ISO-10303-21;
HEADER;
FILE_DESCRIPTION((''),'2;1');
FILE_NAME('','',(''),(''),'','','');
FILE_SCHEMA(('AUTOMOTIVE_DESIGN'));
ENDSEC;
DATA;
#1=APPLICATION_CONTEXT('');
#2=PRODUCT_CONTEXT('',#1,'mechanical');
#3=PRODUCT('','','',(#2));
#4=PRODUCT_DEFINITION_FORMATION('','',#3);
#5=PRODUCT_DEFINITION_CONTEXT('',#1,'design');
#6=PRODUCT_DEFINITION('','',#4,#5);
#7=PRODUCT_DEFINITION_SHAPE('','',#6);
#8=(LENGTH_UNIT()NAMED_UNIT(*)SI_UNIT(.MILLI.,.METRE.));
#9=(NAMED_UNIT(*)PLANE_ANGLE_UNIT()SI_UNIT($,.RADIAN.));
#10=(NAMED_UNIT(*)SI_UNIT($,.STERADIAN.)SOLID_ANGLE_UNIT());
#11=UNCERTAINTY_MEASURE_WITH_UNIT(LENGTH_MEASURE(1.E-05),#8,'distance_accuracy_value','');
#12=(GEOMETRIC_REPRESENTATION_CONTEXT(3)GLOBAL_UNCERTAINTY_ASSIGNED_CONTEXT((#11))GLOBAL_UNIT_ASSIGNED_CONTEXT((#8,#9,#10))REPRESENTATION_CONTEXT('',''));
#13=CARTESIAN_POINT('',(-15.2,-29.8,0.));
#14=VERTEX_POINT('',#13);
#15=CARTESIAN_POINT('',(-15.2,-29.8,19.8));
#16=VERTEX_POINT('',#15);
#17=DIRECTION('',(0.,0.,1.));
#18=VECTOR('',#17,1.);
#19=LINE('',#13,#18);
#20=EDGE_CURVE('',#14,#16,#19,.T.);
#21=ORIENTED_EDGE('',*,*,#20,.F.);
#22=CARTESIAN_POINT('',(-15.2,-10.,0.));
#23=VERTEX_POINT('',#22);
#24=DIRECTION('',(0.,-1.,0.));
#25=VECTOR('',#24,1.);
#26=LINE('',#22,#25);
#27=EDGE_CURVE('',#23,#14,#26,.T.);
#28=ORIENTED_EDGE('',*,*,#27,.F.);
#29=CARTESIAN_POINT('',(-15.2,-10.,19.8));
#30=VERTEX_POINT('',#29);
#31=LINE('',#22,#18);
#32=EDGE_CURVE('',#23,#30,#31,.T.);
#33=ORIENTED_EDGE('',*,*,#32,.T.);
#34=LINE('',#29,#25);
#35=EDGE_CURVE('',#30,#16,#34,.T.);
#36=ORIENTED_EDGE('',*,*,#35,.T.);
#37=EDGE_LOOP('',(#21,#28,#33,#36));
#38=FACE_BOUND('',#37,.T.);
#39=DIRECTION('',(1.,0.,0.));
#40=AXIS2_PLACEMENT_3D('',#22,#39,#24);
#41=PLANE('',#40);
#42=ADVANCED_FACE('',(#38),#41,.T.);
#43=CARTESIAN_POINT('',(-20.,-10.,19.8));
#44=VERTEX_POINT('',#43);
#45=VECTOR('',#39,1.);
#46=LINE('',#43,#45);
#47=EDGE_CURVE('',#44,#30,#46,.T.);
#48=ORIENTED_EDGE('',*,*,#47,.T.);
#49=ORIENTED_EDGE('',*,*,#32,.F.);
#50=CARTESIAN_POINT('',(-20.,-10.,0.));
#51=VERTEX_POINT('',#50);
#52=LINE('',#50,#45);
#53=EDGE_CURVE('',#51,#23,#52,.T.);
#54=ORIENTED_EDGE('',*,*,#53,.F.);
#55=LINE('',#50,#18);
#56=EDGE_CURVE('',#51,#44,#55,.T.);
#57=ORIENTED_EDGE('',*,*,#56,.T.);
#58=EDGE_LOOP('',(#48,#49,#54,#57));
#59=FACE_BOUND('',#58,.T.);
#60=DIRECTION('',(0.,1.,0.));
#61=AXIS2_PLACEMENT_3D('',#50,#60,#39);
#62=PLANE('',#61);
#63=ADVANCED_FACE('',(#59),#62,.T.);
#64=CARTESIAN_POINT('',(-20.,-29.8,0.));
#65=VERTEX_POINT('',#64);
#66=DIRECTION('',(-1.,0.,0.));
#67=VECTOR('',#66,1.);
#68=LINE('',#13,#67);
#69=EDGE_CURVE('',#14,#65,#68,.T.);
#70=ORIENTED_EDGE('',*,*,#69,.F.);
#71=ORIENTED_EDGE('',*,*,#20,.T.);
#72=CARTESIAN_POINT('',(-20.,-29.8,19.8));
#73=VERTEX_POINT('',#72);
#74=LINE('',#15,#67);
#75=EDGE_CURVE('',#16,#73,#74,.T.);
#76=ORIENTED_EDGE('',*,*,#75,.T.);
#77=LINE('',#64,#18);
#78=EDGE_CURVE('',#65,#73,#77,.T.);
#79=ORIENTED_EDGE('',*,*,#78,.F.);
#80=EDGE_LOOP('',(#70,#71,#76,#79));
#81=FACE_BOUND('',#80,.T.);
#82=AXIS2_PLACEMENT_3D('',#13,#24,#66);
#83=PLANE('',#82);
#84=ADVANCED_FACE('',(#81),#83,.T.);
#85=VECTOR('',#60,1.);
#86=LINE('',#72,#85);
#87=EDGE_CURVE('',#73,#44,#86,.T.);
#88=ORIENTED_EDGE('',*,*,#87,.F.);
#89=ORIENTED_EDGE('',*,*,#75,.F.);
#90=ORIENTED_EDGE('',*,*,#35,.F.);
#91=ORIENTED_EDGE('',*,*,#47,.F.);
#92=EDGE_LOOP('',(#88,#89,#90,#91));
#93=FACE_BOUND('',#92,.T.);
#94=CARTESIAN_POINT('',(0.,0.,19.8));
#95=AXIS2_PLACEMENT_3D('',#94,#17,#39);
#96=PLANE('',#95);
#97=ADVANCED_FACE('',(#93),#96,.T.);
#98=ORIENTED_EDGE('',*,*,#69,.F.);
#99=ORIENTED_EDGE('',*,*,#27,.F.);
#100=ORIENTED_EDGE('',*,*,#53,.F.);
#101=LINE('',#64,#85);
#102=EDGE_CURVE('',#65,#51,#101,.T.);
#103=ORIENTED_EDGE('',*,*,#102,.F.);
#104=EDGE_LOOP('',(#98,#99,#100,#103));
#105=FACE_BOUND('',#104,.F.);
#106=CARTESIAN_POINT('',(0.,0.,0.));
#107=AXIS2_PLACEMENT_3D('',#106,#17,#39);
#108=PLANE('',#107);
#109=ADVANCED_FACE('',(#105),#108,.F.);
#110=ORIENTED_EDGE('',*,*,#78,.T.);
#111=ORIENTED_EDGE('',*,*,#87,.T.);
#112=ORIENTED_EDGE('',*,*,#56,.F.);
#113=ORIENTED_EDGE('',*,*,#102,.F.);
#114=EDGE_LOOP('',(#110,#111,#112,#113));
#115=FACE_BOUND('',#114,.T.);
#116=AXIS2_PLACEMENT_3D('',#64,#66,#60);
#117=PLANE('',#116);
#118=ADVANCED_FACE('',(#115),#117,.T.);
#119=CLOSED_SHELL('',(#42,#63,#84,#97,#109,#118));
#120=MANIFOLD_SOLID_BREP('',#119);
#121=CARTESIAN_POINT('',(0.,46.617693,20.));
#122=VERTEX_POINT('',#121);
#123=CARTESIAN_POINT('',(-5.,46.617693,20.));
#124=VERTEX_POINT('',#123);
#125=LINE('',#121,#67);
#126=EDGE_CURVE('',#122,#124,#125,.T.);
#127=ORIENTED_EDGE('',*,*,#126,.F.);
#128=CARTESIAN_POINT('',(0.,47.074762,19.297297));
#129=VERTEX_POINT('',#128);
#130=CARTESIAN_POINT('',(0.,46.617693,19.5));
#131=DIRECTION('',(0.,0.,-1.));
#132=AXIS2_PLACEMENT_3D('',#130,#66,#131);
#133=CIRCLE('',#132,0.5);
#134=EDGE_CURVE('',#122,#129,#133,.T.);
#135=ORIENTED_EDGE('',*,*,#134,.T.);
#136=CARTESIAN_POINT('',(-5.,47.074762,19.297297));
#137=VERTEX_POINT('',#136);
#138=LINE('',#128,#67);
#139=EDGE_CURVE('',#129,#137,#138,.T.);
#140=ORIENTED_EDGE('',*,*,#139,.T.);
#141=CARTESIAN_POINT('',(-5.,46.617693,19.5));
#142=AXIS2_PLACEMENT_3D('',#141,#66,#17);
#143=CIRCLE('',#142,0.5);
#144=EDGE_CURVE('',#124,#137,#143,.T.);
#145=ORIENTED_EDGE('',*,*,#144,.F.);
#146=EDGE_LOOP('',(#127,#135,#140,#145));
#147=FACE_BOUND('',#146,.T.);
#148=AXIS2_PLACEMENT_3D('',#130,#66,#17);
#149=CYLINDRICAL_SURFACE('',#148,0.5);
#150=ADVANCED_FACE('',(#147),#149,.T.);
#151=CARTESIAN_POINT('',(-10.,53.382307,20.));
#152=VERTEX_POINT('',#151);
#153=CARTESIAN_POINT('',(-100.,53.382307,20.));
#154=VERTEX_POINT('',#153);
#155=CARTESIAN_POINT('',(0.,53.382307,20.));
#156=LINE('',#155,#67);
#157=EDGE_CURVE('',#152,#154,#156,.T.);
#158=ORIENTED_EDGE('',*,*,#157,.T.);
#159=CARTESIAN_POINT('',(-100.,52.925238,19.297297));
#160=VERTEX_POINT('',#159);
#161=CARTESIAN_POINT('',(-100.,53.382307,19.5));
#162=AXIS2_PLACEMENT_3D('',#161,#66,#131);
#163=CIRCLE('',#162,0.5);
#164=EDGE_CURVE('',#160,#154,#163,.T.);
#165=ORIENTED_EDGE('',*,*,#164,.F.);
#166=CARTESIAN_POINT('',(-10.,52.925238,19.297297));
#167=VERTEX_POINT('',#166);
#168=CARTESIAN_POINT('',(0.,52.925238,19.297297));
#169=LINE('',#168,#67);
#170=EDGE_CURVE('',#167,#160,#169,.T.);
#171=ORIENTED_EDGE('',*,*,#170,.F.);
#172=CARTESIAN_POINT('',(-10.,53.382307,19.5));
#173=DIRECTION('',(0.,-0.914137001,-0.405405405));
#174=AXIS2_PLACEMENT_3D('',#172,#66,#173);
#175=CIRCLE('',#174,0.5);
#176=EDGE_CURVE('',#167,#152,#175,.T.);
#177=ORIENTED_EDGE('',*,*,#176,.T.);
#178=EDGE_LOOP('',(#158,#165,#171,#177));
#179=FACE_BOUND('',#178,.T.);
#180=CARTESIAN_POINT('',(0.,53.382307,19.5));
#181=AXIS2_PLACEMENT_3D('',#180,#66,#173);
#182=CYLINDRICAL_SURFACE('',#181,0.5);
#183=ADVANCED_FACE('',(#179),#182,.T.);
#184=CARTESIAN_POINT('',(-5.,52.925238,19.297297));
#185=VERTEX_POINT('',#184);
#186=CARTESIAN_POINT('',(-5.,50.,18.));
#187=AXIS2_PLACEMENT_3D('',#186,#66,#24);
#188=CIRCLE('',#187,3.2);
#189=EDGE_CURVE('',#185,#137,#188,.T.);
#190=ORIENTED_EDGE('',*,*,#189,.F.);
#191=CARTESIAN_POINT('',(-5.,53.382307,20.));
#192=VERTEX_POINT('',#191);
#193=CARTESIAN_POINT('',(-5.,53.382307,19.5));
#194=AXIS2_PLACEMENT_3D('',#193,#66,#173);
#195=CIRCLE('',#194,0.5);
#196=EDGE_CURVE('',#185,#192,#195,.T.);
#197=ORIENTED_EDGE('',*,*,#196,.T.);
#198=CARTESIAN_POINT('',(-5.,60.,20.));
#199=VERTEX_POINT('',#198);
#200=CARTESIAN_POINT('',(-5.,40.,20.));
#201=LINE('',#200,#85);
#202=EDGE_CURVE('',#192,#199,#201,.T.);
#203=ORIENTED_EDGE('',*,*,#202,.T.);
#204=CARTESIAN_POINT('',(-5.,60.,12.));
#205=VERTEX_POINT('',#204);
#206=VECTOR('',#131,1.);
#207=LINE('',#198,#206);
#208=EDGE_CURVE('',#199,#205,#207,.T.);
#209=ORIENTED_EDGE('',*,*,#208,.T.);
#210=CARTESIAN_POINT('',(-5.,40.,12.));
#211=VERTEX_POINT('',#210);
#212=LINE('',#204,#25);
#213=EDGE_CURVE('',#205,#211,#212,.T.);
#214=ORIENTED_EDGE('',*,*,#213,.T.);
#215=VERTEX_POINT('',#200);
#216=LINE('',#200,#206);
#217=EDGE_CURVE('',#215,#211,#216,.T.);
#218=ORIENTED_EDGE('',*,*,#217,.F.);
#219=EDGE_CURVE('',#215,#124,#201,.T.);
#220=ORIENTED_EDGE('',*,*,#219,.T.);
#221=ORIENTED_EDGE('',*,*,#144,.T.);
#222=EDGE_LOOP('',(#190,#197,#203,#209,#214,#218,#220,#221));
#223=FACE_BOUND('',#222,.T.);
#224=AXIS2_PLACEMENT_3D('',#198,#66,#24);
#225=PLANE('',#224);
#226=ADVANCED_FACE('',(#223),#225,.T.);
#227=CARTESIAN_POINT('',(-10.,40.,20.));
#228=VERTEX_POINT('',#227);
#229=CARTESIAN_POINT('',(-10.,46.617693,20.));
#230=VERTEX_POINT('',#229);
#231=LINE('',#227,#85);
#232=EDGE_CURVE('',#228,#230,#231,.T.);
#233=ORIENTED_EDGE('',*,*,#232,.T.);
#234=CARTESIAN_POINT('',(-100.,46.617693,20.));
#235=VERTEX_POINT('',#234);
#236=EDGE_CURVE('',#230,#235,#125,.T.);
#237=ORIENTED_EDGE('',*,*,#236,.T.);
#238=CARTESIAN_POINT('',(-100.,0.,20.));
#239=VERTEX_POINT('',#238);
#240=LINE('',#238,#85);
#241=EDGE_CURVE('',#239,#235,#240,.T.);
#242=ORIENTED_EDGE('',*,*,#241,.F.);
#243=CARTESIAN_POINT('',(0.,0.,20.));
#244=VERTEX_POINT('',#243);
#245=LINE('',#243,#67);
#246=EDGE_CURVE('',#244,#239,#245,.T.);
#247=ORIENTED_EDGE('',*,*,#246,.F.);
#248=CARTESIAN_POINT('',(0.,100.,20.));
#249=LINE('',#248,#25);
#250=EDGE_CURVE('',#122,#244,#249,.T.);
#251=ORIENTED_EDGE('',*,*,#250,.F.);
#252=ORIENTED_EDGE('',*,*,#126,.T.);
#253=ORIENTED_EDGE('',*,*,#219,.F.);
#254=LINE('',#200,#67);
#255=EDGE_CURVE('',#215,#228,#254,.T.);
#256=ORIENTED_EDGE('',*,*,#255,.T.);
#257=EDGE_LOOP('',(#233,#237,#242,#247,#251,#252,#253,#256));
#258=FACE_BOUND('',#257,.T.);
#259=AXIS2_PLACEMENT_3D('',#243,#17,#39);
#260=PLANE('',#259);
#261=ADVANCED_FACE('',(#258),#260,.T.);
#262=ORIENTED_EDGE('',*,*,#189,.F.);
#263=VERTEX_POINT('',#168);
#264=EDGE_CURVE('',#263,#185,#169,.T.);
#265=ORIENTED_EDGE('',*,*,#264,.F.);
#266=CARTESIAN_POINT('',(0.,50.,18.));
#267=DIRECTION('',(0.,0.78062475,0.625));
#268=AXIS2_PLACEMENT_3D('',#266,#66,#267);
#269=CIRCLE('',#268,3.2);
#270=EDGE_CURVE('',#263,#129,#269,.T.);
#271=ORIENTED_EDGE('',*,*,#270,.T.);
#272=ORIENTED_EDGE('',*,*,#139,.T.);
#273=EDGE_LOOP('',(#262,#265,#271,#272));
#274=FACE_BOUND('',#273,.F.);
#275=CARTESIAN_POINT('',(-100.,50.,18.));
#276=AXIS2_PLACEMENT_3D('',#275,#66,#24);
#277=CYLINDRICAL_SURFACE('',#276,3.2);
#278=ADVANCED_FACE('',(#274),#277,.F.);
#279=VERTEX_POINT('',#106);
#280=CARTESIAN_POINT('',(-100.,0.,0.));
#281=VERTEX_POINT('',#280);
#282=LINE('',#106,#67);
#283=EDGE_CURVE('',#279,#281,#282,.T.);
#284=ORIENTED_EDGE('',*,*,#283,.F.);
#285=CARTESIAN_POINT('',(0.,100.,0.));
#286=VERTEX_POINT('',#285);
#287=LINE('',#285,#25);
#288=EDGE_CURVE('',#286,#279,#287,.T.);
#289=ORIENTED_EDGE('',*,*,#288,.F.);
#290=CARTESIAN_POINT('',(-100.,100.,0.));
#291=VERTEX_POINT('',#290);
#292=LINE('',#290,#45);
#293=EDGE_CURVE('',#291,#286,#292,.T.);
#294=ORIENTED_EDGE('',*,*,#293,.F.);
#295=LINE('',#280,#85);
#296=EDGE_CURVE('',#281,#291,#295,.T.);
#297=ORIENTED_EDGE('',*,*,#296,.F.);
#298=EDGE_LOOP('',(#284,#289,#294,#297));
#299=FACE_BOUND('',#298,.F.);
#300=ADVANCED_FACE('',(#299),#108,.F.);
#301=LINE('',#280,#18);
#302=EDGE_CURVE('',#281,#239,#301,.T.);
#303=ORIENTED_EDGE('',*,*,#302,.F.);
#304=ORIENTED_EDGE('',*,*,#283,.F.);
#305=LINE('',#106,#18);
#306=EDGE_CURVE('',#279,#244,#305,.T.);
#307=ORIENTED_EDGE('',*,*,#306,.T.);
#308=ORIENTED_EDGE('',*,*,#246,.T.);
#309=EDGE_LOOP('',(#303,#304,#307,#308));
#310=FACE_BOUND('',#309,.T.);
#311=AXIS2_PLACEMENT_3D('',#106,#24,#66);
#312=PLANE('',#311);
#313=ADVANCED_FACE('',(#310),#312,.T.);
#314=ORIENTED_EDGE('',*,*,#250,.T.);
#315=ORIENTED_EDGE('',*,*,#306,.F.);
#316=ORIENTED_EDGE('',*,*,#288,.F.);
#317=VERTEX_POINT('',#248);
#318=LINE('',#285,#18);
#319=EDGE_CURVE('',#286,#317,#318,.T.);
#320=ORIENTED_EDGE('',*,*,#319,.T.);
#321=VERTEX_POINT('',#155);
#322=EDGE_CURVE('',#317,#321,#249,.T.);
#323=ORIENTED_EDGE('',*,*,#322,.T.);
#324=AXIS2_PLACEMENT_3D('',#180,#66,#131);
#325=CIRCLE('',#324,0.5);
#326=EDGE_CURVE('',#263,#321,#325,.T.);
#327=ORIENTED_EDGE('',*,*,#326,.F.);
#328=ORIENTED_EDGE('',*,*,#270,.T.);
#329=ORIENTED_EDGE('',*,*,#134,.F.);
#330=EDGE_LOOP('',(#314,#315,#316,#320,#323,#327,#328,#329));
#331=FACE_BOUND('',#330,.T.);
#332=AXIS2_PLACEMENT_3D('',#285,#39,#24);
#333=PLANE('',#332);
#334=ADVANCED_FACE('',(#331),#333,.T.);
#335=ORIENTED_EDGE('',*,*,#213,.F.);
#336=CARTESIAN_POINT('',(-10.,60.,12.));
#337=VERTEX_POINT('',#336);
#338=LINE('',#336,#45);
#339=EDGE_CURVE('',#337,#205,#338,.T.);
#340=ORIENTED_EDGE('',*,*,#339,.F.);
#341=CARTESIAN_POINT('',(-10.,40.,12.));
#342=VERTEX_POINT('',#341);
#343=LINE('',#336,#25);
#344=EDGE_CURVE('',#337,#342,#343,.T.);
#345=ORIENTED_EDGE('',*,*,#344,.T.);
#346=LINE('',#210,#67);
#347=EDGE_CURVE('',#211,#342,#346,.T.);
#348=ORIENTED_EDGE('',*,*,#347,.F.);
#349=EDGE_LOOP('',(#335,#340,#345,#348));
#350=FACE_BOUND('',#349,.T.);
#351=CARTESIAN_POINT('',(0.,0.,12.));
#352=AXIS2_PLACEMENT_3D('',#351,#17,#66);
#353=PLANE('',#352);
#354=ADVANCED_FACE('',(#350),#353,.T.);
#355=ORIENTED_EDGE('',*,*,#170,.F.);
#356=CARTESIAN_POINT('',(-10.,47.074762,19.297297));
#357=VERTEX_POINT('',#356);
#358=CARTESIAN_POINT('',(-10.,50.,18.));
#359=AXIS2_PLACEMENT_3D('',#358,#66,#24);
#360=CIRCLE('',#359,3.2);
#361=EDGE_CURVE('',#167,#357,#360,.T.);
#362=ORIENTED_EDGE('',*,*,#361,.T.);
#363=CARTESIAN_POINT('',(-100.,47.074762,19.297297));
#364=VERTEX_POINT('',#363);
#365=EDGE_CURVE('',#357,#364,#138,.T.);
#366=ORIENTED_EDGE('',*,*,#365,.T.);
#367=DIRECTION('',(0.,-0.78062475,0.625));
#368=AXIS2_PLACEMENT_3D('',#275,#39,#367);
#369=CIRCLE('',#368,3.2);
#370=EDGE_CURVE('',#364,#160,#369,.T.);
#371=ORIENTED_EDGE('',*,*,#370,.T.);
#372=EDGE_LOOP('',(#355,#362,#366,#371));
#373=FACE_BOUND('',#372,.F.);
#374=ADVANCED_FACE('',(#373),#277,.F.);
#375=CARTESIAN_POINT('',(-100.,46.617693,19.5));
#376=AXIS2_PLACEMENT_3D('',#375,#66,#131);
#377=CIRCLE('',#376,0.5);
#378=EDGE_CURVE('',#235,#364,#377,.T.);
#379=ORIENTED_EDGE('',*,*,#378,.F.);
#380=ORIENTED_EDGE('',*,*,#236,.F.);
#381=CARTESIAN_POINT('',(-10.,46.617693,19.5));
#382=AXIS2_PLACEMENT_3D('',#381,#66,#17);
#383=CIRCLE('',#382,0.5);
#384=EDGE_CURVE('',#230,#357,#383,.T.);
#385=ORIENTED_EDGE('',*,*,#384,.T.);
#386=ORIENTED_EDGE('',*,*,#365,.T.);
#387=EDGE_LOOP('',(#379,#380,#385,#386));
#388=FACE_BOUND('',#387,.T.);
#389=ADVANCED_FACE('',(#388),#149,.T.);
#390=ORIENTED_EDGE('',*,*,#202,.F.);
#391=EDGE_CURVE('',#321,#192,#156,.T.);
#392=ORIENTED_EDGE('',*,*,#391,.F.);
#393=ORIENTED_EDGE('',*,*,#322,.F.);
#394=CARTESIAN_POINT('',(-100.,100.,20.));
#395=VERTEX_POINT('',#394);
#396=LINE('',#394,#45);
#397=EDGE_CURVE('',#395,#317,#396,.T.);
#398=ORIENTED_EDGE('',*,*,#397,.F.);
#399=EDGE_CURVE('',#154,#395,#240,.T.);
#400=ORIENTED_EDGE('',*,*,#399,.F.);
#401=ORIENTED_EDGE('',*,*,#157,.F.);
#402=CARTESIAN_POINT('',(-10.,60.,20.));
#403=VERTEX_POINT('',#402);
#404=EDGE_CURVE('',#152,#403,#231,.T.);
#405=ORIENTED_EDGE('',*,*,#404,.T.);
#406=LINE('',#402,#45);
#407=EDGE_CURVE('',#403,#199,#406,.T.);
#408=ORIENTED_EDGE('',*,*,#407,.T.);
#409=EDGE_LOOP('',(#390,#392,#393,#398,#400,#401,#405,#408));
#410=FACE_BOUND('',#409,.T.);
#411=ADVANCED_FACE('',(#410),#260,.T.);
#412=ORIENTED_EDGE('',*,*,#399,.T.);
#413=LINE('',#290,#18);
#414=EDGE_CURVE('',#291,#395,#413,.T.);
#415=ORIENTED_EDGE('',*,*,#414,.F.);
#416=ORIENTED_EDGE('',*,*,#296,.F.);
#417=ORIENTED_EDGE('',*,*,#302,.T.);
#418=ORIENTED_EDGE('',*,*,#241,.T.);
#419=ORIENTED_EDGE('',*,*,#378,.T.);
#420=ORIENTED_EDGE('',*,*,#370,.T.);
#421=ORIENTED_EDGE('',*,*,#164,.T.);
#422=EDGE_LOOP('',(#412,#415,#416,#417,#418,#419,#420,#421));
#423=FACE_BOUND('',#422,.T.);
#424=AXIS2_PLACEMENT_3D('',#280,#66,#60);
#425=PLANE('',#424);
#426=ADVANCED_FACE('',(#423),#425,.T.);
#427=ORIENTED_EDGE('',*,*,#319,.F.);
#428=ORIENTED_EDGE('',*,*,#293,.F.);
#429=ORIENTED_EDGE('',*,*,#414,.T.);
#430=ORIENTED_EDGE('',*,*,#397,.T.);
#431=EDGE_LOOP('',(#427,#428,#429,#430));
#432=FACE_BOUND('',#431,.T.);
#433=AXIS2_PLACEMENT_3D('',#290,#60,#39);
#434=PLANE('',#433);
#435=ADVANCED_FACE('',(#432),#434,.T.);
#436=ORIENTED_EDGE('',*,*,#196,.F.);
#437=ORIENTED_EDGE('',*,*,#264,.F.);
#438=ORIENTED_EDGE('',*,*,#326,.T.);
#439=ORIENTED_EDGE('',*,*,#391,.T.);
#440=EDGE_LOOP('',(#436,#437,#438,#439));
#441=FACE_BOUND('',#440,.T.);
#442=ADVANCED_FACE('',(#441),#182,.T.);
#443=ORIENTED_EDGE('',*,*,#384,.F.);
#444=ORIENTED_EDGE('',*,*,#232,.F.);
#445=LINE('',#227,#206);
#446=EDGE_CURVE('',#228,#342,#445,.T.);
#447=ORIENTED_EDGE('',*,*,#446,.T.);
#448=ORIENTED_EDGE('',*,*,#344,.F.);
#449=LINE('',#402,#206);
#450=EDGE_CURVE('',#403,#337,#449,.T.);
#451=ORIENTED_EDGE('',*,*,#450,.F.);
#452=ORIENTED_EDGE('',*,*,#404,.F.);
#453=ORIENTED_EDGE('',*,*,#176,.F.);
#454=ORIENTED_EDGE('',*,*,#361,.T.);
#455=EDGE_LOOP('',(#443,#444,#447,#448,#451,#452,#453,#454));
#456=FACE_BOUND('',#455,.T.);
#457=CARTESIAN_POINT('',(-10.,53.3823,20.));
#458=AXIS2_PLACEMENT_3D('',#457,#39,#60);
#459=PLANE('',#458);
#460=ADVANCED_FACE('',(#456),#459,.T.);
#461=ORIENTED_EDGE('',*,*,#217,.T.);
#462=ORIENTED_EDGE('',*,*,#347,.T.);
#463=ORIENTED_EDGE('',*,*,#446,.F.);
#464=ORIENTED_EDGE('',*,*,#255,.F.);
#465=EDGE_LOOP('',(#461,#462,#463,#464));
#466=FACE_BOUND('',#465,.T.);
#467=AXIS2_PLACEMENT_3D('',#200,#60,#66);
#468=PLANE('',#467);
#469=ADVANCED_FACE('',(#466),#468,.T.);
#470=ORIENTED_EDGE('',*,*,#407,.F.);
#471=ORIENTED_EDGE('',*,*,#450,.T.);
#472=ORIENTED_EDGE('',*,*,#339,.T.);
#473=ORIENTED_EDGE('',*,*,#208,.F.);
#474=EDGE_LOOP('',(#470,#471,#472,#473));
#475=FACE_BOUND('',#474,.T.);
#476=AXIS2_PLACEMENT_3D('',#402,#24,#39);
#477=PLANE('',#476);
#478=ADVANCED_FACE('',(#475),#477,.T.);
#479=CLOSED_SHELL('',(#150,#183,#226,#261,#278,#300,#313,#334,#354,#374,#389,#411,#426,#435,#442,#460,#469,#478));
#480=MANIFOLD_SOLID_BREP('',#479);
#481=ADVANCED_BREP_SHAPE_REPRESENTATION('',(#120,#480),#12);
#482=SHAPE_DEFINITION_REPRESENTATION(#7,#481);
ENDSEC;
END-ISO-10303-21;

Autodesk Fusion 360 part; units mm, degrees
sketch "Sketch1" plane through (0, 0, 0) normal (0, 0, 1) x (1, 0, 0)
  line L0 (0, 0) -> (-100, 0)
  line L1 (-100, 0) -> (-100, 100)
  line L2 (-100, 100) -> (0, 100)
  line L3 (0, 100) -> (0, 0)
  line L4 (-20, -10) -> (-15.2, -10)
  line L5 (-15.2, -10) -> (-15.2, -29.8)
  line L6 (-15.2, -29.8) -> (-20, -29.8)
  line L7 (-20, -29.8) -> (-20, -10)
  dimension "d11" = 4.8
  dimension "d12" = 19.8
extrude "Extrude1" add sketch "Sketch1" along normal blind 20 contours L0 L1 L2 L3 makes body 1
sketch "Sketch2" plane through (-100, 0, 0) normal (-1, 0, 0) x (0, -1, 0)
  line L0 (-100, 0) -> (0, 0)
  line L1 (0, 0) -> (0, 20)
  line L2 (0, 20) -> (-100, 20)
  line L3 (-100, 20) -> (-100, 0)
  circle A0 centre (-50, 18) radius 3.2
  line L4 (-50, 18) -> (-53.2, 18)
  line L5 (-50, 18) -> (-46.8, 18)
  line L6 (-53.2, 18) -> (-46.8, 18)
  line L7 (-46.8, 18) -> (-46.8, 20)
  line L8 (-46.8, 20) -> (-53.2, 20)
  line L9 (-53.2, 20) -> (-53.2, 18)
  dimension "d3" = 6.4
extrude "Extrude2" cut sketch "Sketch2" against normal blind 115 contours L2 A0 L8 | L2 A0 L4 L5 L6 L8 | A0 L4 L5 L6 bodies 1
fillet "Fillet1" radius 0.5 2 edges at (-50, 52.498, 20) (-50, 47.502, 20) on bodies 1
sketch "Sketch3" plane through (0, 0, 20) normal (0, 0, 1) x (-1, 0, 0)
  line L0 (100, -53.3823) -> (0, -53.3823)
  line L1 (0, -53.3823) -> (0, -100)
  line L2 (0, -100) -> (100, -100)
  line L3 (100, -100) -> (100, -53.3823)
  line L4 (10, -60) -> (5, -60)
  line L5 (5, -60) -> (5, -40)
  line L6 (5, -40) -> (10, -40)
  line L7 (10, -40) -> (10, -60)
extrude "Extrude3" cut sketch "Sketch3" against normal blind 8 contours L0 L4 L5 L7 | L0 L5 L6 L7 bodies 1
extrude "Extrude4" add sketch "Sketch1" along normal blind 19.8 separate body contours L4 L5 L6 L7 makes body 2
sketch "Sketch4" plane through (0, 0, 20) normal (0, 0, 1) x (-1, 0, 0)
  line L0 (5, -60) -> (5, -53.3823)
  line L1 (5, -53.3823) -> (0, -53.3823)
  line L2 (0, -53.3823) -> (0, -100)
  line L3 (0, -100) -> (100, -100)
  line L4 (100, -100) -> (100, -53.3823)
  line L5 (100, -53.3823) -> (10, -53.3823)
  line L6 (10, -53.3823) -> (10, -60)
  line L7 (10, -60) -> (5, -60)
  line L8 (22, -60) -> (22, -40)
  line L9 (25, -40) -> (25, -60)
  line L10 (32, -60) -> (32, -40)
  line L11 (36, -40) -> (36, -60)
  line L12 (38, -60) -> (38, -40)
  line L13 (53.5, -60) -> (53.5, -40)
  line L14 (70, -60) -> (70, -40)
  line L15 (90, -60) -> (90, -40)
  line L16 (87, -60) -> (87, -40)
  dimension "d15" = 12
  dimension "d16" = 7
  dimension "d17" = 4
  dimension "d18" = 2
  dimension "d19" = 43.5
  dimension "d20" = 60
  dimension "d21" = 80
  dimension "d22" = 77
